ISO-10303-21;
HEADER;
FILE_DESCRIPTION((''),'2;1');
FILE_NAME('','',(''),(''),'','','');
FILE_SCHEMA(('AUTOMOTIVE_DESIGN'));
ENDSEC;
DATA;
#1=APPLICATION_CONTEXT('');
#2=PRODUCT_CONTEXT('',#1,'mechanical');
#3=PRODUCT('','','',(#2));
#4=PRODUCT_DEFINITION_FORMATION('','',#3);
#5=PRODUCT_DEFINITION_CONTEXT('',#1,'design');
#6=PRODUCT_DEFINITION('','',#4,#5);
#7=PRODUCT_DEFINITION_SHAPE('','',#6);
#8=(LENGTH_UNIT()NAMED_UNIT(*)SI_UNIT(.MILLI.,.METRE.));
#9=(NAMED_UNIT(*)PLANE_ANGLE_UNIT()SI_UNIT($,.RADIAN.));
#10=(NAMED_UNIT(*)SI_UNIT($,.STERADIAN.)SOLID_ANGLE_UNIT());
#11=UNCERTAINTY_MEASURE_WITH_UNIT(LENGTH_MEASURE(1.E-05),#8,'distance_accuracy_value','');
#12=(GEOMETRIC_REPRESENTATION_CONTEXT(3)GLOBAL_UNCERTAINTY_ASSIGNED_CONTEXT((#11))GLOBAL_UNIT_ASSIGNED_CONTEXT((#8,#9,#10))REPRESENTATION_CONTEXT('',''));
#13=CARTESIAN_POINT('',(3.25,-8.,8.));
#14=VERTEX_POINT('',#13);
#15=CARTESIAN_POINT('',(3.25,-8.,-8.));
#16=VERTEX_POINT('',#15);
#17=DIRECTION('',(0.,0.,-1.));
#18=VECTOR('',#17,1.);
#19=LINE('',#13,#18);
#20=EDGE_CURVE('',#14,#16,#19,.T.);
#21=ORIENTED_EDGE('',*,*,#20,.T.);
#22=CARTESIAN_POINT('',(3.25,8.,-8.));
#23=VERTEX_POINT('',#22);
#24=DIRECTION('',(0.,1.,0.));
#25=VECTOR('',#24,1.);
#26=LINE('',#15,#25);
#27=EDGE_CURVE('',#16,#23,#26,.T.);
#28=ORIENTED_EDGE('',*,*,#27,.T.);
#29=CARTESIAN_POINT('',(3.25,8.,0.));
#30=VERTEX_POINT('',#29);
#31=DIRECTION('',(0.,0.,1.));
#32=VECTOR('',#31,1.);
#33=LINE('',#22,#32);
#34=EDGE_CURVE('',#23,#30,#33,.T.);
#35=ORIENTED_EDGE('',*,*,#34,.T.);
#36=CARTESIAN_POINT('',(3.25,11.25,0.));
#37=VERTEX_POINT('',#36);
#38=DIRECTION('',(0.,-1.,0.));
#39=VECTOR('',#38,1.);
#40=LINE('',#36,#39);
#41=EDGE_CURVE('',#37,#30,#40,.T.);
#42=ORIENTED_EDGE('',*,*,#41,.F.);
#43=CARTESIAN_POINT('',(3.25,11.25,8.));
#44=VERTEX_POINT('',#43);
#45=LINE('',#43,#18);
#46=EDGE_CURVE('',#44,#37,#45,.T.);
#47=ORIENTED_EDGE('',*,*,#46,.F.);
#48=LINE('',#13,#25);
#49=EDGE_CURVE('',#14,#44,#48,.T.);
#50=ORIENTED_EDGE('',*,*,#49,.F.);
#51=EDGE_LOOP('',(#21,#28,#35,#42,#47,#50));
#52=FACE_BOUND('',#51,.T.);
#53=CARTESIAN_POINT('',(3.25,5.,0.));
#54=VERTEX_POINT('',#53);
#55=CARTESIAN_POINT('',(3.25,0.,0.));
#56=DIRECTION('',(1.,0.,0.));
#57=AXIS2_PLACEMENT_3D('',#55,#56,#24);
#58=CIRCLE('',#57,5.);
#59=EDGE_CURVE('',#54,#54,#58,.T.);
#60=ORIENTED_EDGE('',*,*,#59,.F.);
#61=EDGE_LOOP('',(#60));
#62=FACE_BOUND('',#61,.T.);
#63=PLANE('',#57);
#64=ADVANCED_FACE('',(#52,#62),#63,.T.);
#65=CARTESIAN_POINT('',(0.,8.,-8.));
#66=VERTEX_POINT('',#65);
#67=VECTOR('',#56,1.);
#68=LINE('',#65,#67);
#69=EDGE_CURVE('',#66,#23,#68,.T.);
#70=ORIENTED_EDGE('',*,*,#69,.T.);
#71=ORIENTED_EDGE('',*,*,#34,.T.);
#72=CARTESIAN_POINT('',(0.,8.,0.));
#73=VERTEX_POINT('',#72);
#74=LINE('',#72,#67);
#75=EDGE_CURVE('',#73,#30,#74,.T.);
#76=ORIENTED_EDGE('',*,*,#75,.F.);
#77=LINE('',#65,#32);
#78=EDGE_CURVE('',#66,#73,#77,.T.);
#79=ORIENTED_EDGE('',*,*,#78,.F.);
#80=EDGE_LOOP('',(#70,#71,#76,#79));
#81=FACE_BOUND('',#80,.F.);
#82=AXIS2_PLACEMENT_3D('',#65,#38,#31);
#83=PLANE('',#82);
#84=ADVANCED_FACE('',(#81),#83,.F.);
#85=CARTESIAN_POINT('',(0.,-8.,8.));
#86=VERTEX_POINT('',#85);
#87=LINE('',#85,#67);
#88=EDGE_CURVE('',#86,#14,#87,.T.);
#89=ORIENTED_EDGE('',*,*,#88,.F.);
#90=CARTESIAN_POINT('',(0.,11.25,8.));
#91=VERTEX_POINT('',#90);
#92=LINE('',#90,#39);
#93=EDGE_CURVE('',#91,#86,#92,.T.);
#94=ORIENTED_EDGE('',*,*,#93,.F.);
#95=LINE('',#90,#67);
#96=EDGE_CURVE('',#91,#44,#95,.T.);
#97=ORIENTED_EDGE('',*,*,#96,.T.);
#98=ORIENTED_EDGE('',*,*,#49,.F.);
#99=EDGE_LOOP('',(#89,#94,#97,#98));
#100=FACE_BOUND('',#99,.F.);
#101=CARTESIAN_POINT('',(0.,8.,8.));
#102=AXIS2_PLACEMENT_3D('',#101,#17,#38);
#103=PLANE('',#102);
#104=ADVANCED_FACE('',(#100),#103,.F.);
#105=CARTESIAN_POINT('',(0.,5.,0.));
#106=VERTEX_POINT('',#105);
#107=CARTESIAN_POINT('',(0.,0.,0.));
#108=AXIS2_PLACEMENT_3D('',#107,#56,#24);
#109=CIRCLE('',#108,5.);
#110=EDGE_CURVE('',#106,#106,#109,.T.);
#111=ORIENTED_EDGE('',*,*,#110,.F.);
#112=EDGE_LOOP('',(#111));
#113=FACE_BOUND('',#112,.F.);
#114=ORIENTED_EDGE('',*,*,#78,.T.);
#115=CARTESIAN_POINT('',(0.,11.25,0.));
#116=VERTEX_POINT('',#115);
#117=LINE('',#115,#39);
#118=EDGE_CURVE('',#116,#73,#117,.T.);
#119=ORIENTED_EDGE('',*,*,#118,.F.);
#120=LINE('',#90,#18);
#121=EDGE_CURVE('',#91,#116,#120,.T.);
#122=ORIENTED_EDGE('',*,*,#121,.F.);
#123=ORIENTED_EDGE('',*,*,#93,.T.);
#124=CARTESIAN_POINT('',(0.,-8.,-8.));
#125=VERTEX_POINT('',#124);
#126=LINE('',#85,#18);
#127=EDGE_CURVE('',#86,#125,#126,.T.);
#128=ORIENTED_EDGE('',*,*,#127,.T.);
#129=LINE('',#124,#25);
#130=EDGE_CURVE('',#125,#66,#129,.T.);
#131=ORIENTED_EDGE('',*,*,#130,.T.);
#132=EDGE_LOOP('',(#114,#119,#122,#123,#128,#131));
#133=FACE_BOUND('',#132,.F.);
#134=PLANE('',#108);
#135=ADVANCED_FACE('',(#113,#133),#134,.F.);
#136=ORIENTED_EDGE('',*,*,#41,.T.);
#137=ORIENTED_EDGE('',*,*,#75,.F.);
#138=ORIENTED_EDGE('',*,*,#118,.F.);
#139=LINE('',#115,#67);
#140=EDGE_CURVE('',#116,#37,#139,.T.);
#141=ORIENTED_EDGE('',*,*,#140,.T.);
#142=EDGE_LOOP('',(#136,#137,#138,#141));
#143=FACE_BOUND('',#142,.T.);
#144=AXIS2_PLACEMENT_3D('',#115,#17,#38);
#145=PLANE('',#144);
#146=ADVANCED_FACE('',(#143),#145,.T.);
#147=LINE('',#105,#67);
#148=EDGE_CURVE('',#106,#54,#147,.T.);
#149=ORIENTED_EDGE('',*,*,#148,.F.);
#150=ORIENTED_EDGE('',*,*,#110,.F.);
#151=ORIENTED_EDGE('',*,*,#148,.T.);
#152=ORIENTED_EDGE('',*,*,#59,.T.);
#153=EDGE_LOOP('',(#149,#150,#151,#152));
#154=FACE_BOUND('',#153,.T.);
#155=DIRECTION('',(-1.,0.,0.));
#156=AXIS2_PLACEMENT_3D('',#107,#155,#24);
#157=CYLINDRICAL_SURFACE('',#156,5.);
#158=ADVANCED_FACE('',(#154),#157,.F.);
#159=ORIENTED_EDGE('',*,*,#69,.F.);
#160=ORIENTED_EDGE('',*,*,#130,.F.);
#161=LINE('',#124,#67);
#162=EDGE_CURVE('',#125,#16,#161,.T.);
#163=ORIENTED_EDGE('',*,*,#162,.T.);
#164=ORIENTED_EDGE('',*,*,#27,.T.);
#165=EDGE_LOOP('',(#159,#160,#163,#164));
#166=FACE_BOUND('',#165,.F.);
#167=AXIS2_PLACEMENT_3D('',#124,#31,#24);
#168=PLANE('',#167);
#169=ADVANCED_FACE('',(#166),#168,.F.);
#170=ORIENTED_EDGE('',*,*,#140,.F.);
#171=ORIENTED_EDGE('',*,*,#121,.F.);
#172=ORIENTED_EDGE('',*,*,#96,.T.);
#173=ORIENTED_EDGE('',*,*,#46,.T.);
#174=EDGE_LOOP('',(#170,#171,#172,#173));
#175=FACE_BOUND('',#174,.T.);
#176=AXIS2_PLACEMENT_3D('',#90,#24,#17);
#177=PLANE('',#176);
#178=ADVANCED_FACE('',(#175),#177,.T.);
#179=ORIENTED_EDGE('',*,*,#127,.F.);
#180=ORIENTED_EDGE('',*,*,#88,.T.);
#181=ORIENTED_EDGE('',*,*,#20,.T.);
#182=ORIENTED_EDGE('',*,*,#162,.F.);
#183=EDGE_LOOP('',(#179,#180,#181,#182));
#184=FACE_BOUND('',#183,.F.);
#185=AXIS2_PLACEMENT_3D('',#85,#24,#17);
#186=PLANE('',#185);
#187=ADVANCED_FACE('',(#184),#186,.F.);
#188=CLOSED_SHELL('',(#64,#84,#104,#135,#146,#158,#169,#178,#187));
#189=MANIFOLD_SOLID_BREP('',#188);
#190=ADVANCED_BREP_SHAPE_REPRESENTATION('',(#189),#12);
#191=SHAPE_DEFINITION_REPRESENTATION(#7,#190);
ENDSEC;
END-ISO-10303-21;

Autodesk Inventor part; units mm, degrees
ref_plane "YZ Plane" through (0, 0, 0) normal (1, 0, 0) x (0, 1, 0)
ref_plane "XZ Plane" through (0, 0, 0) normal (0, 1, 0) x (-1, 0, 0)
ref_plane "XY Plane" through (0, 0, 0) normal (0, 0, 1) x (1, 0, 0)
sketch "Sketch1" plane through (0, 0, 0) normal (1, 0, 0) x (0, 1, 0)
  line L0 (-92.7646, -8.503) -> (-89.7646, -8.503)
  line L1 (-89.7646, -8.503) -> (-89.7646, -11.753)
  line L2 (-89.7646, -11.753) -> (-92.7646, -11.753)
  line L3 (-92.7646, -11.753) -> (-92.7646, -8.503)
  line L4 (-92.7646, -21.6527) -> (-89.7646, -21.6527)
  line L5 (-89.7646, -21.6527) -> (-89.7646, -21.7527)
  line L6 (-89.7646, -21.7527) -> (-92.7646, -21.7527)
  line L7 (-92.7646, -21.7527) -> (-92.7646, -21.6527)
  circle A0 centre (0, 0) radius 5
  line L8 (-8, -8) -> (8, -8)
  line L9 (8, -8) -> (8, 8)
  line L10 (8, 8) -> (-8, 8)
  line L11 (-8, 8) -> (-8, -8)
  line L12 (-8, 0) -> (8, 0) construction
  line L13 (0, 8) -> (0, -8) construction
  line L14 (8, 8) -> (11.25, 8)
  line L15 (11.25, 8) -> (11.25, 0)
  line L16 (11.25, 0) -> (8, 0)
  line L17 (8, 0) -> (8, 8)
  dimension "d0" = 3
  dimension "mat" = 3.25
  dimension "d2" = 3
  dimension "kerf" = 0.1
  dimension "d22" = 10
  dimension "d23" = 16
  dimension "d24" = 16
  dimension "d25" = 3.25
  dimension "d26" = 8
extrude "Extrusion3" add sketch "Sketch1" along normal blind 3.25 contours L11 L10 L9 L8 | L9 L14 L15 L16
equation "\"d25\" = mat"
equation "\"d27\" = mat"
properties part number "body-side2"
